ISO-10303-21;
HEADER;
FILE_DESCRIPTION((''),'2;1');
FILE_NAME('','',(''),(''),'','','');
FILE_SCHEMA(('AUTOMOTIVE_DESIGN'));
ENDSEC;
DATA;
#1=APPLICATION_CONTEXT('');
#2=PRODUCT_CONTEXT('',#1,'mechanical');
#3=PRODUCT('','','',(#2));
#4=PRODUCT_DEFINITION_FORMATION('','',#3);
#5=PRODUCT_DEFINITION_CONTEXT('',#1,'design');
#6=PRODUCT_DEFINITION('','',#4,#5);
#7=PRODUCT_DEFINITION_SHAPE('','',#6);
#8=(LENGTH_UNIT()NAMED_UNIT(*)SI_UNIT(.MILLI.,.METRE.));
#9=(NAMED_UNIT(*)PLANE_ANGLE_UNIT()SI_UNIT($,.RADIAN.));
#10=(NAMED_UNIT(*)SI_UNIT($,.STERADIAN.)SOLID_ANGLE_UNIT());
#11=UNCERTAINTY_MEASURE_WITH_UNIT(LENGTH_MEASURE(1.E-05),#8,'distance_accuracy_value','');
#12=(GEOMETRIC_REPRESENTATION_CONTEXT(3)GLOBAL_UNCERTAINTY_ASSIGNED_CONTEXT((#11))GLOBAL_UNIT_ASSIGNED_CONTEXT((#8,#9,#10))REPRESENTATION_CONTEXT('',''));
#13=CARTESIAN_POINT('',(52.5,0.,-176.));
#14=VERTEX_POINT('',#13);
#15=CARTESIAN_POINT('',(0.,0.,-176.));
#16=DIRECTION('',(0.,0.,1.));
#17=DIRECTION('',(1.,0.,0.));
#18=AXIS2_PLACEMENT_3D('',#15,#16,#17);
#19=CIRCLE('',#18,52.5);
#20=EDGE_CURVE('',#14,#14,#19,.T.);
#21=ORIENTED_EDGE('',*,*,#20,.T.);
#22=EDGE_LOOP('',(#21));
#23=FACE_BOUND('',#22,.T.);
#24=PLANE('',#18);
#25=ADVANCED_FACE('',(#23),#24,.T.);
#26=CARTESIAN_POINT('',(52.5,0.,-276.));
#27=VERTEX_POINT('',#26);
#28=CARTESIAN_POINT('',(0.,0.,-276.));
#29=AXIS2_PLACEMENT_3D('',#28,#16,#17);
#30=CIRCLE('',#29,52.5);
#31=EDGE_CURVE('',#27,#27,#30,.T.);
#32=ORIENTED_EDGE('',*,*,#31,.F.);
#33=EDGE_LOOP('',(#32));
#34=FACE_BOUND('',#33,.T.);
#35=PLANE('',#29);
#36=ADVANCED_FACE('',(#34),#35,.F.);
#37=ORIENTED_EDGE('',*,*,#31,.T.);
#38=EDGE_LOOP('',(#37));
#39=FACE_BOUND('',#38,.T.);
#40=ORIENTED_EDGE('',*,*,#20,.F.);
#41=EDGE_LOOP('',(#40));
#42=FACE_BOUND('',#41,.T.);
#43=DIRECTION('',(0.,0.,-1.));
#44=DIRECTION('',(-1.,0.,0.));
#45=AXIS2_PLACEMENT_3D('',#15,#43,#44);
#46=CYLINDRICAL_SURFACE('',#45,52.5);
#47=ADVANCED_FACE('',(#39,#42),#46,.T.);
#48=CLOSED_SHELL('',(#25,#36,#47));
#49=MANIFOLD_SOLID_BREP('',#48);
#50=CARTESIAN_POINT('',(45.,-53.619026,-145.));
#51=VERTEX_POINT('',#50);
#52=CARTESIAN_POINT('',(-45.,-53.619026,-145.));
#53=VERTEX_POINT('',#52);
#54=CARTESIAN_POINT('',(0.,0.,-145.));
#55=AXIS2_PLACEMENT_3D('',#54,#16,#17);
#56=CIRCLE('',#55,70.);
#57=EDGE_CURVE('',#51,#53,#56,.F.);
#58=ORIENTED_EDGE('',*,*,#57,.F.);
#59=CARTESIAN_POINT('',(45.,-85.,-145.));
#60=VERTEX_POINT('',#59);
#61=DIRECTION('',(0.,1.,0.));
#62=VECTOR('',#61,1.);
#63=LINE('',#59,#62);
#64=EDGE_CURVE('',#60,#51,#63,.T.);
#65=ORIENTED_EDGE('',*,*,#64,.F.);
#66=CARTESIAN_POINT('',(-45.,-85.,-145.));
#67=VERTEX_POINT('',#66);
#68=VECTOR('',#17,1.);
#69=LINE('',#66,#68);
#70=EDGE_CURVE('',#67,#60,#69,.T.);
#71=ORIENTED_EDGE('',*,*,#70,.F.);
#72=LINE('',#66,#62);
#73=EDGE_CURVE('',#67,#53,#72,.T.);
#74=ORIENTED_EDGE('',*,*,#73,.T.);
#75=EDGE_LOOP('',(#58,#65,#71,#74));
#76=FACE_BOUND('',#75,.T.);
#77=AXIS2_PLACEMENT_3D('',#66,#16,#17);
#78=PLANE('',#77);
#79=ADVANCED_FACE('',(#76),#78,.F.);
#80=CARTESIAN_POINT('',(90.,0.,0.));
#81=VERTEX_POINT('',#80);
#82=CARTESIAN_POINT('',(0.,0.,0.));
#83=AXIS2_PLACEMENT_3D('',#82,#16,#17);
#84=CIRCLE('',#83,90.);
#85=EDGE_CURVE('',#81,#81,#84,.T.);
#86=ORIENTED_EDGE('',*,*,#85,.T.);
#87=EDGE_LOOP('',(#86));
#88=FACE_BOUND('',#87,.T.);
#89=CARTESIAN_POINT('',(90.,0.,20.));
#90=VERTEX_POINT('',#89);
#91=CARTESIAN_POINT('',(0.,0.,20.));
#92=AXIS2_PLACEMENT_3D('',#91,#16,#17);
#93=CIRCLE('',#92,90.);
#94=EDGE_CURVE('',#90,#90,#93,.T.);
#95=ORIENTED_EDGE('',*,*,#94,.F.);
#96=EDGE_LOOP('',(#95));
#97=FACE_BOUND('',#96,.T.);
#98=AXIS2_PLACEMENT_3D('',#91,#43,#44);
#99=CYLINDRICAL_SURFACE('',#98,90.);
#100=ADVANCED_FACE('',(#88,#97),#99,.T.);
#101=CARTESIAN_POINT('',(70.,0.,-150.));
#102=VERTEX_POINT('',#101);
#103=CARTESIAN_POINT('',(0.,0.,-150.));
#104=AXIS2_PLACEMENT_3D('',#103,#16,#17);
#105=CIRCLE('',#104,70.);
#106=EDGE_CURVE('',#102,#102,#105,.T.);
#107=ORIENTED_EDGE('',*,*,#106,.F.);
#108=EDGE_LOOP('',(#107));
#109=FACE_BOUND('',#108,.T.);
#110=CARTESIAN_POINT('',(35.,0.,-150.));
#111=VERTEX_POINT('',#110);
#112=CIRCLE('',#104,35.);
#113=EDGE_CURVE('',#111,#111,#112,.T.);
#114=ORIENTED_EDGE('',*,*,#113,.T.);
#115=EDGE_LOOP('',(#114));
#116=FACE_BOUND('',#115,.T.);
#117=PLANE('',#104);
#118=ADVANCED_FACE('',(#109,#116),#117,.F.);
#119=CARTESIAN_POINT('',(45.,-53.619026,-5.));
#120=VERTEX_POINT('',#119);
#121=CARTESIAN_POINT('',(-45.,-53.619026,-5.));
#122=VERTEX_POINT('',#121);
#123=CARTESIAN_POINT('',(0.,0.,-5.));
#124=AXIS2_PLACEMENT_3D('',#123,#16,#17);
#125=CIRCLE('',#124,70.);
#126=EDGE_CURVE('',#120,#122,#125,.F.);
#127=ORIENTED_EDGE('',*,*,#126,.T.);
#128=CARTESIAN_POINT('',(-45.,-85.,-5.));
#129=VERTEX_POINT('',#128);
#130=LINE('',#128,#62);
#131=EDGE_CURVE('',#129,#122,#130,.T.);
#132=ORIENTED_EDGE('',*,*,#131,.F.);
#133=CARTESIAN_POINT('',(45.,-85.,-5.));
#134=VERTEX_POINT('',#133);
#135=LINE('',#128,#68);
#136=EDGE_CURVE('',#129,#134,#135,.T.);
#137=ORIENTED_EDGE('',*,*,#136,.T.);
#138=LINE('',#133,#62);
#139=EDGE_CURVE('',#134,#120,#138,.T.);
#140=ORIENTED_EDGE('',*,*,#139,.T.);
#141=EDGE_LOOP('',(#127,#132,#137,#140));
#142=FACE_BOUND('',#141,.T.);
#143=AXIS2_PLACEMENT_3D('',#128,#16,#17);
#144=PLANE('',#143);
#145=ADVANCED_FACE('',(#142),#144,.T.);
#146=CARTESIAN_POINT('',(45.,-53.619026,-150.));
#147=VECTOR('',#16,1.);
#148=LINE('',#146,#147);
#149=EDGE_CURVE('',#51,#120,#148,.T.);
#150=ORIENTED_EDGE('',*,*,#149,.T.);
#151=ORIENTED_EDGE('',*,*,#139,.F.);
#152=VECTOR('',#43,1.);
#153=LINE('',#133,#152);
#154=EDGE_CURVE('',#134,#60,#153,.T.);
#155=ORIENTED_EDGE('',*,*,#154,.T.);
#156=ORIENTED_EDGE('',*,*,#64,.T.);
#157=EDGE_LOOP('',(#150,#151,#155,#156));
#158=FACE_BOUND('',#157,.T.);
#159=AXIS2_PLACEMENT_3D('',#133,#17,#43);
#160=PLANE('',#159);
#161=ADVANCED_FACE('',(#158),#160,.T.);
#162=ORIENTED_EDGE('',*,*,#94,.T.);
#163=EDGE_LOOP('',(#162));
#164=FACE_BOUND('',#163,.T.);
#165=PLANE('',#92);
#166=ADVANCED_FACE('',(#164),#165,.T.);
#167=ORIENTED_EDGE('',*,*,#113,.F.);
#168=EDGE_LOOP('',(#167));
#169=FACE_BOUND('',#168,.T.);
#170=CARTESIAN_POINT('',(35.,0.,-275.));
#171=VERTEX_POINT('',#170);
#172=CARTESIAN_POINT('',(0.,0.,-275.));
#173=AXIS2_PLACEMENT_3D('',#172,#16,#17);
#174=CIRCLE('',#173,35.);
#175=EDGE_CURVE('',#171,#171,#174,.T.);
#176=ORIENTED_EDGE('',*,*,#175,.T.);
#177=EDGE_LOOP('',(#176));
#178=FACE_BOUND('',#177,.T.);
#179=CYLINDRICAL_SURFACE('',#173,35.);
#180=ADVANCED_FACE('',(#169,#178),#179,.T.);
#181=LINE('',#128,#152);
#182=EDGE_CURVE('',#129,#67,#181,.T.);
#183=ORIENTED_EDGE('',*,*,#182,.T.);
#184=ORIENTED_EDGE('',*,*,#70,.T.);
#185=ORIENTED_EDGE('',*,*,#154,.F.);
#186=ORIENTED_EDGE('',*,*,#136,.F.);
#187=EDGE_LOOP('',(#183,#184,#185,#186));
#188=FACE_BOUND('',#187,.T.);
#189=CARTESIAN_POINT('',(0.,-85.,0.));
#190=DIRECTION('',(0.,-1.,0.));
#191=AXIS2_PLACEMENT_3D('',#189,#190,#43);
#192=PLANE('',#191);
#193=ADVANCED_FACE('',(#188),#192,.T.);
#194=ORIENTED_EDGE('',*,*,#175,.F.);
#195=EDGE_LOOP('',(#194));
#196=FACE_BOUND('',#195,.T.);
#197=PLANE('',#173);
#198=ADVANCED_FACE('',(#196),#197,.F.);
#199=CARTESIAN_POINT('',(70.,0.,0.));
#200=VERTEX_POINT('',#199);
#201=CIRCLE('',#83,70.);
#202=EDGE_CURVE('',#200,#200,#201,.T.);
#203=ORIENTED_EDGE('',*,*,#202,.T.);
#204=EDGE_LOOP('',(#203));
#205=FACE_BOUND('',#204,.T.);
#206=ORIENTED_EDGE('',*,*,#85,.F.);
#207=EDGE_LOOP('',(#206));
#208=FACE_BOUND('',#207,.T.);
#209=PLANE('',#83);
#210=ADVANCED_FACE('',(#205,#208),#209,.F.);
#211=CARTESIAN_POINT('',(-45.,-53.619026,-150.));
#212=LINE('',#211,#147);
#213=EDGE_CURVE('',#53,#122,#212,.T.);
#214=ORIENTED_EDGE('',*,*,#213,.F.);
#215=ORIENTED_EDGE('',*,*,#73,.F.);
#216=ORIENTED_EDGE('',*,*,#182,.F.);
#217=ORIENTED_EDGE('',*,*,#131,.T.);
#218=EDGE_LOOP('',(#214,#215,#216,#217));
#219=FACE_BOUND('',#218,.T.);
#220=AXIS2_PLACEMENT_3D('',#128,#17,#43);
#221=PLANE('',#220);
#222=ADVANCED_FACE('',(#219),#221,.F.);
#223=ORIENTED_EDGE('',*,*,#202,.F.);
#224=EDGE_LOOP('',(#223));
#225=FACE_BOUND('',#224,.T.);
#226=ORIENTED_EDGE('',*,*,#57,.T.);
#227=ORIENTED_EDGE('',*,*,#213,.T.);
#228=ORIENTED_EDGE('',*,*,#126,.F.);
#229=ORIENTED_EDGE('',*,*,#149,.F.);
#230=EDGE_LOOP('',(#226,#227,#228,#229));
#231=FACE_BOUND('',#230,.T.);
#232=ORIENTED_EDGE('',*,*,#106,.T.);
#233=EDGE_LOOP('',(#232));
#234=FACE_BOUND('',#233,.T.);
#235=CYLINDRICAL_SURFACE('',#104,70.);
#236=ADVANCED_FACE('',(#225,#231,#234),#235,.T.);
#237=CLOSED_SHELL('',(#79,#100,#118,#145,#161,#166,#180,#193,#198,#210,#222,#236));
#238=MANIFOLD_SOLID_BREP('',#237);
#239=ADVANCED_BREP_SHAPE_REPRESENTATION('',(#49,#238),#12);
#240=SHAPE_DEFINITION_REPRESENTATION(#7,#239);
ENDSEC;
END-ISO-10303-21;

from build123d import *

# Parameters (mm, degrees)
CROQUIS2_R              = 90
SALIENTE_EXTRUIR2_DEPTH = 20
CROQUIS4_R              = 70
SALIENTE_EXTRUIR3_DEPTH = 150
CROQUIS5_R              = 35
SALIENTE_EXTRUIR4_DEPTH = 125
CROQUIS6_R              = 52.5
SALIENTE_EXTRUIR5_DEPTH = 100
CROQUIS7_W              = 90
CROQUIS7_H              = 140
SALIENTE_EXTRUIR7_DEPTH = 85


with BuildPart() as part:
    # Croquis2 → Saliente-Extruir2 (new body)
    with BuildSketch(Plane.XY):
        Circle(CROQUIS2_R)
    extrude(amount=SALIENTE_EXTRUIR2_DEPTH)

    # Croquis4 → Saliente-Extruir3 (add)
    with BuildSketch(Plane.XY):
        Circle(CROQUIS4_R)
    extrude(amount=-SALIENTE_EXTRUIR3_DEPTH)

    # Croquis5 → Saliente-Extruir4 (add)
    with BuildSketch(Plane.XY.offset(-150)):
        Circle(CROQUIS5_R)
    extrude(amount=-SALIENTE_EXTRUIR4_DEPTH)

    # Croquis7 → Saliente-Extruir7 (add)
    with BuildSketch(Plane(origin=(0, 0, 0), x_dir=(1, 0, 0), z_dir=(0, 1, 0))):
        with Locations((0, 75)):
            Rectangle(CROQUIS7_W, CROQUIS7_H)
    extrude(amount=-SALIENTE_EXTRUIR7_DEPTH)


with BuildPart() as body_2:
    # Croquis6 → Saliente-Extruir5 (new body)
    with BuildSketch(Plane.XY.offset(-276)):
        Circle(CROQUIS6_R)
    extrude(amount=SALIENTE_EXTRUIR5_DEPTH)


solid = Compound([part.part, body_2.part])
